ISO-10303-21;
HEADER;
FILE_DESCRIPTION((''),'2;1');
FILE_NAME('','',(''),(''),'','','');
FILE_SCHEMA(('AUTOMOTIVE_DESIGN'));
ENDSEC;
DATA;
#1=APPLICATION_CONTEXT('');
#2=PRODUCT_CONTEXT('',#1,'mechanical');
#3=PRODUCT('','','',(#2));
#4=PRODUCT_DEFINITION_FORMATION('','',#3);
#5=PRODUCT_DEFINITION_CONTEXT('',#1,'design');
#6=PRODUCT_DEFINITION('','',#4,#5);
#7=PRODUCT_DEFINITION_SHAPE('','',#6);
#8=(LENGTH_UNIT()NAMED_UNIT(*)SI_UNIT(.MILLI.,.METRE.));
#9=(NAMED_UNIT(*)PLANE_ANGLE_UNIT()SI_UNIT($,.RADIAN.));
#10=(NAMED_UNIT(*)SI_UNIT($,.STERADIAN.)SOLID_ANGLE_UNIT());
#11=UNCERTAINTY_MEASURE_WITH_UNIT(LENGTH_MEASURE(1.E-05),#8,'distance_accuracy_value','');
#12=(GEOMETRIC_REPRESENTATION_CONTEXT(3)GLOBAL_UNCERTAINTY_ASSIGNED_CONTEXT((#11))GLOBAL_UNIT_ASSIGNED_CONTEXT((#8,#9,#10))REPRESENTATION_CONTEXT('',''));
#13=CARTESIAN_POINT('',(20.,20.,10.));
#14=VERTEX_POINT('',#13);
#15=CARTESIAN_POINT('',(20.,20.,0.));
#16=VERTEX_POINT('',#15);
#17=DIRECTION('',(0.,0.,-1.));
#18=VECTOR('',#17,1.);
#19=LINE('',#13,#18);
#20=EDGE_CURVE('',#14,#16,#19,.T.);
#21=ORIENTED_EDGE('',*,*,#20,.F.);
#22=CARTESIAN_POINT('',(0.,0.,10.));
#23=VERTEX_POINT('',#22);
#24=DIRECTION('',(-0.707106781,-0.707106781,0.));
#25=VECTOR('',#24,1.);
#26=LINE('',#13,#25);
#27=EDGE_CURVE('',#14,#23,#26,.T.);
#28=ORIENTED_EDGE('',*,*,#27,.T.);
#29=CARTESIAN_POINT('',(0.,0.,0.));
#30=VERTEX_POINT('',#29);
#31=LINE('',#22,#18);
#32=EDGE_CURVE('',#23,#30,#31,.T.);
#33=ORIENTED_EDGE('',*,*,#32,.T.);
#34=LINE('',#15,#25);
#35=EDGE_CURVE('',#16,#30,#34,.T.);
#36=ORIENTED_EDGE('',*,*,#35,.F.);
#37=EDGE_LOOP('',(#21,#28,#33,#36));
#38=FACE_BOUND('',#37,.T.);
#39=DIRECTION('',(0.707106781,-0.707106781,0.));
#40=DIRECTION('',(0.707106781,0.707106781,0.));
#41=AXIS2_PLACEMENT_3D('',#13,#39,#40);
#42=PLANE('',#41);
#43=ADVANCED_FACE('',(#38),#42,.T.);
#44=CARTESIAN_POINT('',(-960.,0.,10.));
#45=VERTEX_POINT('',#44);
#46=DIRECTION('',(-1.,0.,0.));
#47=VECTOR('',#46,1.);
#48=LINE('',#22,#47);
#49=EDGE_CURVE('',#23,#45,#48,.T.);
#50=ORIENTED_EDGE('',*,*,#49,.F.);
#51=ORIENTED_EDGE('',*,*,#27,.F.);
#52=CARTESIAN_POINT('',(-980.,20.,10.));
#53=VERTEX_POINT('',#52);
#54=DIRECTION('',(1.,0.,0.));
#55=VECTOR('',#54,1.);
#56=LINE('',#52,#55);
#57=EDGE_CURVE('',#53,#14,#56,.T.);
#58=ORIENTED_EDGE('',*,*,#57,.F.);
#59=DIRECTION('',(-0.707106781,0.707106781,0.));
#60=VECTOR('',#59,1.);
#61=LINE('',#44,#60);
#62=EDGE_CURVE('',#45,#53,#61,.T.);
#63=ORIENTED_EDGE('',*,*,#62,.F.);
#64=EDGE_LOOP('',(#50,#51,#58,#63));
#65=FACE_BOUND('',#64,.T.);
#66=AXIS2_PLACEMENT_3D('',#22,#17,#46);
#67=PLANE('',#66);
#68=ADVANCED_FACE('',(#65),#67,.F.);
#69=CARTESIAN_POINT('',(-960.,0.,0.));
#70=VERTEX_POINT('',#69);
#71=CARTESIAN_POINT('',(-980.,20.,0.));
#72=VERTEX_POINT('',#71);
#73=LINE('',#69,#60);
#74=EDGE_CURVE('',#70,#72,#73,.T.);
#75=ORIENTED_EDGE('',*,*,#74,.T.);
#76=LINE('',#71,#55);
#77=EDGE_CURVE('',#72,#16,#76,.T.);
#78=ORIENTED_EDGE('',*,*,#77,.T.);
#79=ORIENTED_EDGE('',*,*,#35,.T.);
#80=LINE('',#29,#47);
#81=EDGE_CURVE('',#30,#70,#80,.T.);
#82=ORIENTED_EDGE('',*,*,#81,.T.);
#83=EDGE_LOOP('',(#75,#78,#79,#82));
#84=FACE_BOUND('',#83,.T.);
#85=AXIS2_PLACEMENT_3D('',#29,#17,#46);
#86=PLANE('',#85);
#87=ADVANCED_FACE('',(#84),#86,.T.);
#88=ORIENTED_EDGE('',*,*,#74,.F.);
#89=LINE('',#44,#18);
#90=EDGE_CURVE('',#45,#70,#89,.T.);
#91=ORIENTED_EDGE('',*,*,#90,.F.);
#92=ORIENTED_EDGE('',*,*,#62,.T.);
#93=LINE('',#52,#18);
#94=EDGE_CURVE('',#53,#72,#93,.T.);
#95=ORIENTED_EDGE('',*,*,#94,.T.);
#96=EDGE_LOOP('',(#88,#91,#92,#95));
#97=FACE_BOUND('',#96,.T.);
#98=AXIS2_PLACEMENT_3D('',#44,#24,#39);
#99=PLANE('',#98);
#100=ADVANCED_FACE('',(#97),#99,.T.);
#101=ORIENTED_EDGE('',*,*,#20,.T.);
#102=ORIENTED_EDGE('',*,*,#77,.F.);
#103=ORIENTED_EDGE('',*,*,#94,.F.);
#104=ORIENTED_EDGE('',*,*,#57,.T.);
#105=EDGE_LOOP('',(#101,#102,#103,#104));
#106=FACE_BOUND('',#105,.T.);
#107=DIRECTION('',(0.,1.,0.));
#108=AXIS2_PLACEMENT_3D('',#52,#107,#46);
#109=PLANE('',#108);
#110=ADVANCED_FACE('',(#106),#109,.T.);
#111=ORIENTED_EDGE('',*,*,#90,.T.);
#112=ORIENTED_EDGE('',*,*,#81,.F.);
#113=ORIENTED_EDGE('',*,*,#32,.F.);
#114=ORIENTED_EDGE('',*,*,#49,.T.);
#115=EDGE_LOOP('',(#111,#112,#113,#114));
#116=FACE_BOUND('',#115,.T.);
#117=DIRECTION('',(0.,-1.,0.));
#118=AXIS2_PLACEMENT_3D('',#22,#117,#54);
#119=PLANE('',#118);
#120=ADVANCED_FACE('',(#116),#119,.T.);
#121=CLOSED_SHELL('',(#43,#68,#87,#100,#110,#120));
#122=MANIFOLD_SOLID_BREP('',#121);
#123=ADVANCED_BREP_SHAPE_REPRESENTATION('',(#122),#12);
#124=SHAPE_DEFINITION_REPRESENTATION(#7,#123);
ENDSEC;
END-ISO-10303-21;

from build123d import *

# Parameters (mm, degrees)
BOSS_EXTRU_1_DEPTH = 10


with BuildPart() as part:
    # Esquisse1 → Boss.-Extru.1 (new body)
    with BuildSketch(Plane.XY):
        Polygon((0, 0), (-960, 0), (-980, 20), (20, 20), align=None)
    extrude(amount=BOSS_EXTRU_1_DEPTH)


solid = part.part
